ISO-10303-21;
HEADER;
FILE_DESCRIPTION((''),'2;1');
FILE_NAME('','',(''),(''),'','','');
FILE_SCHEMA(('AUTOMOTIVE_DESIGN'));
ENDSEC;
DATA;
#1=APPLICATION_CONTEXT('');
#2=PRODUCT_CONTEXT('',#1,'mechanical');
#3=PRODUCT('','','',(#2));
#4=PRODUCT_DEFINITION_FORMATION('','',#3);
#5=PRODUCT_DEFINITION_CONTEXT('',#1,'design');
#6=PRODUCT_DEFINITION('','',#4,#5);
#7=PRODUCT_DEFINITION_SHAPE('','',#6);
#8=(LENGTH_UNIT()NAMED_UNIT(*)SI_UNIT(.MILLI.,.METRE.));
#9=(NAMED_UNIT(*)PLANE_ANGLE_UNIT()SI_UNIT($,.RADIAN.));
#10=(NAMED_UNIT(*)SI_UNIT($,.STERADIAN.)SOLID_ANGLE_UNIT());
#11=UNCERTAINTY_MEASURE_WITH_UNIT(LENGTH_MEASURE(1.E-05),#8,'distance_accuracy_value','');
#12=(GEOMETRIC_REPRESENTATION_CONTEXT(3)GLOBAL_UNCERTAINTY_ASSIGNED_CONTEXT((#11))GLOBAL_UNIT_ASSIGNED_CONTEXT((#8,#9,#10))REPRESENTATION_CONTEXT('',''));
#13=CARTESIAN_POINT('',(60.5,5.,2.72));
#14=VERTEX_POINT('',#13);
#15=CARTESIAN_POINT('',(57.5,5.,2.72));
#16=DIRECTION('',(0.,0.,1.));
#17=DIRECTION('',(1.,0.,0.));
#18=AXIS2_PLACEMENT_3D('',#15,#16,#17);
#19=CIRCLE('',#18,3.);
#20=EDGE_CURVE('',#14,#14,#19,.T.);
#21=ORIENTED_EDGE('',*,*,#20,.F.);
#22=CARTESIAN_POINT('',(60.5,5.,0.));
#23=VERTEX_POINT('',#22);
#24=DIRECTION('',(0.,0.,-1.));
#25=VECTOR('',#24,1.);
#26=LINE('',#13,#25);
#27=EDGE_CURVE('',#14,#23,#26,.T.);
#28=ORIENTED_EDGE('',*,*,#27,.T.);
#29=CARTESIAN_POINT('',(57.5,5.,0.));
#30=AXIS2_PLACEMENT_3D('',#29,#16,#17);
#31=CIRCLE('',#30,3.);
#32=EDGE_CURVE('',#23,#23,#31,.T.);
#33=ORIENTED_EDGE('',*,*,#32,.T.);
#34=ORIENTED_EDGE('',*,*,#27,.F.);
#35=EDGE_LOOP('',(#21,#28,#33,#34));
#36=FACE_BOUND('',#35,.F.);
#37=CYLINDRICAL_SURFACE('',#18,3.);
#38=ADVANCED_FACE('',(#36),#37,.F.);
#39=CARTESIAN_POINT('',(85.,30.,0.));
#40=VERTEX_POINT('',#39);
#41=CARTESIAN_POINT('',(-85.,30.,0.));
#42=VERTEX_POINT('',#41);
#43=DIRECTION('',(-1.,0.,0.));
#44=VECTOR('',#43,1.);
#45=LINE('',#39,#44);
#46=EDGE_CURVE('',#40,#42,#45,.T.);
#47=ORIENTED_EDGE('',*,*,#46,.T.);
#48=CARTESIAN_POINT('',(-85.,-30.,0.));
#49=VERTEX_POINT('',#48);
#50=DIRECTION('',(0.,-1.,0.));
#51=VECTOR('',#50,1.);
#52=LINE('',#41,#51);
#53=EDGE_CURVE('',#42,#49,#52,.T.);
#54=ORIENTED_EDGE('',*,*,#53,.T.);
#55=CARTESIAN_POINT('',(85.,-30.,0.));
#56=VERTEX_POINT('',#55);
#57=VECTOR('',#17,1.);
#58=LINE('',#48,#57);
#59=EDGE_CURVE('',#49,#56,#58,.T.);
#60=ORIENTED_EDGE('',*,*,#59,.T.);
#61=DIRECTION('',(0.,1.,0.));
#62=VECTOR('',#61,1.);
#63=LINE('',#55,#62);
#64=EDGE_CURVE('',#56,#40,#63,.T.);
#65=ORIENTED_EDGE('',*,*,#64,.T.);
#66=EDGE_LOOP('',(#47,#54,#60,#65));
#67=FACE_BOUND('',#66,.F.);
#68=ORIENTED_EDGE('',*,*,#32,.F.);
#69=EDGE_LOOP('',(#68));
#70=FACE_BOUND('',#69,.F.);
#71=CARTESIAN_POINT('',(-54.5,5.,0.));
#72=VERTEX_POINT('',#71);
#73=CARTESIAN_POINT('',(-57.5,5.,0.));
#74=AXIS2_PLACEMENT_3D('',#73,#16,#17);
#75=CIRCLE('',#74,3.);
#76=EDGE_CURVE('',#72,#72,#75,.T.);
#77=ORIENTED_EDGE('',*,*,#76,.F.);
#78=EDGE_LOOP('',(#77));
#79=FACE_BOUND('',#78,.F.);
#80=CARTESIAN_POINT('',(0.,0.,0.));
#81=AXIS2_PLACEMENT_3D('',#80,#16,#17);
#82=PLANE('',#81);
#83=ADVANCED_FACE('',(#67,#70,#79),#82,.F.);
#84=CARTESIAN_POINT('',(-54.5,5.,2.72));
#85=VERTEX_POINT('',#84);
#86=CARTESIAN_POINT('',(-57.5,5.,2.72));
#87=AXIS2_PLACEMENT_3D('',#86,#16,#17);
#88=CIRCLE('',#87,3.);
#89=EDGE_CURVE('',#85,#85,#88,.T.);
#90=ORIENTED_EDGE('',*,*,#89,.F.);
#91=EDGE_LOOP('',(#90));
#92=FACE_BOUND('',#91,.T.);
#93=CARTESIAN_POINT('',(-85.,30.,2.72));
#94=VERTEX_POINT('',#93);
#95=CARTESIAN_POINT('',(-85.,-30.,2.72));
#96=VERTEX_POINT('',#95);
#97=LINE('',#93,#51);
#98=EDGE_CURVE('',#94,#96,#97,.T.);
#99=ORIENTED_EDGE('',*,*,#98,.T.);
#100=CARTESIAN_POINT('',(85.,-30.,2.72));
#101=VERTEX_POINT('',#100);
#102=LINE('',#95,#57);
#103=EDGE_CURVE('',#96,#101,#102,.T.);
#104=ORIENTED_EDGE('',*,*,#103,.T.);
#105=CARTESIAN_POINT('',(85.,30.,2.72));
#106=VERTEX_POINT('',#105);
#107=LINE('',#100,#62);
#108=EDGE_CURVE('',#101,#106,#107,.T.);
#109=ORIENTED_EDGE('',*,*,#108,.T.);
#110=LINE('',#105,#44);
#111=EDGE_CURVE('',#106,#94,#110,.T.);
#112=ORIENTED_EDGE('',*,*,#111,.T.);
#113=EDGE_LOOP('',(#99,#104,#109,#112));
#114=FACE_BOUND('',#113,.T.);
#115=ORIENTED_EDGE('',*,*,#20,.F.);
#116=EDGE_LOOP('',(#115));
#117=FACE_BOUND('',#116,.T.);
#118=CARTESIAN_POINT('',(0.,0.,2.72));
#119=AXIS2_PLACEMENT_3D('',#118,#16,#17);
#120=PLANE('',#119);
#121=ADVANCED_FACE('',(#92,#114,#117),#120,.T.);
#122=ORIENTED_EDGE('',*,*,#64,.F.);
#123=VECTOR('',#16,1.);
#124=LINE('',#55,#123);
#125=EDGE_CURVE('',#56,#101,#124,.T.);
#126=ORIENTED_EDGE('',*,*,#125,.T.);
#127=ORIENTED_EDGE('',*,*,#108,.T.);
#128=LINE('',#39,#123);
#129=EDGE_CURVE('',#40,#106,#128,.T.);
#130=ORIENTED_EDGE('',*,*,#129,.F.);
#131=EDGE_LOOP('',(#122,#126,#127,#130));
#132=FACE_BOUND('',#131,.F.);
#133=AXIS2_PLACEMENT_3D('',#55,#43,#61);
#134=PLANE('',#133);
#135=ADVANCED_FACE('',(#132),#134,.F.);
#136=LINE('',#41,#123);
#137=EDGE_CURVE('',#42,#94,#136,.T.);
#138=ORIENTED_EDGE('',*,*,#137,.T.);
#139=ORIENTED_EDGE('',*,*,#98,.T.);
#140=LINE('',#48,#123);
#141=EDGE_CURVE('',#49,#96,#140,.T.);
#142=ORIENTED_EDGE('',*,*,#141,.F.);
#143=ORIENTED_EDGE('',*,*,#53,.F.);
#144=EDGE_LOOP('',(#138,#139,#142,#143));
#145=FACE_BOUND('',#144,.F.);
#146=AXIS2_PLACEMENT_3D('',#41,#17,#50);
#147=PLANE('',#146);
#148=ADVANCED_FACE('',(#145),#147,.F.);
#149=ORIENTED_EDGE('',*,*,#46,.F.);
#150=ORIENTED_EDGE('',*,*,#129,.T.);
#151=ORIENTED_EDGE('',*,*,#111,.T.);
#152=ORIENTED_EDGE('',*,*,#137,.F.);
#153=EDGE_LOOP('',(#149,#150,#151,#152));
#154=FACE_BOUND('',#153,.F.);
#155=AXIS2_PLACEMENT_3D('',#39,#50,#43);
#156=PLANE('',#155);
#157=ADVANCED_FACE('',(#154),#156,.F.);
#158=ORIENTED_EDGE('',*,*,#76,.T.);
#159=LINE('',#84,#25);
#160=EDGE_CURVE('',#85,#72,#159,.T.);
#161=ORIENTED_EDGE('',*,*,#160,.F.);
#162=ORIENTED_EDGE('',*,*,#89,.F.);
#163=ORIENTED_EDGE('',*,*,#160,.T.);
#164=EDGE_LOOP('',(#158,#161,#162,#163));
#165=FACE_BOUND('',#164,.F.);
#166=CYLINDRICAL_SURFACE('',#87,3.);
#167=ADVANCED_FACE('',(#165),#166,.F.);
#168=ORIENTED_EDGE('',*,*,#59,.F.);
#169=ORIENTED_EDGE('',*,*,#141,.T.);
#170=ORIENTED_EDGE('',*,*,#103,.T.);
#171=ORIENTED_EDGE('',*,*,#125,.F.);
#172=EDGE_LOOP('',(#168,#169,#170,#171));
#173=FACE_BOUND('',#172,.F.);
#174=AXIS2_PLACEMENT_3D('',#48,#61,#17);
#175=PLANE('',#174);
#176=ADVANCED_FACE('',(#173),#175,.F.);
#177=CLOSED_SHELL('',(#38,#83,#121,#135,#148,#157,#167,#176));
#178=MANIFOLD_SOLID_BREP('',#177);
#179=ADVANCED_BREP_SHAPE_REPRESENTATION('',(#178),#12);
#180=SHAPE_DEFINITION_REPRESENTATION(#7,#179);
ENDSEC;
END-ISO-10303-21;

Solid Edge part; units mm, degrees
sketch "Sketch1" plane through (0, 0, 0) normal (0, 0, 1) x (1, 0, 0)
  line L0 (-85, -30) -> (85, -30)
  line L1 (85, -30) -> (85, 30)
  line L2 (85, 30) -> (-85, 30)
  line L3 (-85, 30) -> (-85, -30)
  dimension "D1" = 170
  dimension "D2" = 60
extrude "Protrusion1" add sketch "Sketch1" along normal blind 2.72
sketch "Sketch2" plane through (0, 0, 2.72) normal (0, 0, 1) x (1, 0, 0)
  circle A0 centre (-57.5, 5) radius 3
  circle A1 centre (57.5, 5) radius 3
  dimension "D1" = 6
  dimension "D2" = 25
  dimension "D3" = 27.5
extrude "Cutout1" cut sketch "Sketch2" against normal through all
properties material "Nylon, allgemein"
